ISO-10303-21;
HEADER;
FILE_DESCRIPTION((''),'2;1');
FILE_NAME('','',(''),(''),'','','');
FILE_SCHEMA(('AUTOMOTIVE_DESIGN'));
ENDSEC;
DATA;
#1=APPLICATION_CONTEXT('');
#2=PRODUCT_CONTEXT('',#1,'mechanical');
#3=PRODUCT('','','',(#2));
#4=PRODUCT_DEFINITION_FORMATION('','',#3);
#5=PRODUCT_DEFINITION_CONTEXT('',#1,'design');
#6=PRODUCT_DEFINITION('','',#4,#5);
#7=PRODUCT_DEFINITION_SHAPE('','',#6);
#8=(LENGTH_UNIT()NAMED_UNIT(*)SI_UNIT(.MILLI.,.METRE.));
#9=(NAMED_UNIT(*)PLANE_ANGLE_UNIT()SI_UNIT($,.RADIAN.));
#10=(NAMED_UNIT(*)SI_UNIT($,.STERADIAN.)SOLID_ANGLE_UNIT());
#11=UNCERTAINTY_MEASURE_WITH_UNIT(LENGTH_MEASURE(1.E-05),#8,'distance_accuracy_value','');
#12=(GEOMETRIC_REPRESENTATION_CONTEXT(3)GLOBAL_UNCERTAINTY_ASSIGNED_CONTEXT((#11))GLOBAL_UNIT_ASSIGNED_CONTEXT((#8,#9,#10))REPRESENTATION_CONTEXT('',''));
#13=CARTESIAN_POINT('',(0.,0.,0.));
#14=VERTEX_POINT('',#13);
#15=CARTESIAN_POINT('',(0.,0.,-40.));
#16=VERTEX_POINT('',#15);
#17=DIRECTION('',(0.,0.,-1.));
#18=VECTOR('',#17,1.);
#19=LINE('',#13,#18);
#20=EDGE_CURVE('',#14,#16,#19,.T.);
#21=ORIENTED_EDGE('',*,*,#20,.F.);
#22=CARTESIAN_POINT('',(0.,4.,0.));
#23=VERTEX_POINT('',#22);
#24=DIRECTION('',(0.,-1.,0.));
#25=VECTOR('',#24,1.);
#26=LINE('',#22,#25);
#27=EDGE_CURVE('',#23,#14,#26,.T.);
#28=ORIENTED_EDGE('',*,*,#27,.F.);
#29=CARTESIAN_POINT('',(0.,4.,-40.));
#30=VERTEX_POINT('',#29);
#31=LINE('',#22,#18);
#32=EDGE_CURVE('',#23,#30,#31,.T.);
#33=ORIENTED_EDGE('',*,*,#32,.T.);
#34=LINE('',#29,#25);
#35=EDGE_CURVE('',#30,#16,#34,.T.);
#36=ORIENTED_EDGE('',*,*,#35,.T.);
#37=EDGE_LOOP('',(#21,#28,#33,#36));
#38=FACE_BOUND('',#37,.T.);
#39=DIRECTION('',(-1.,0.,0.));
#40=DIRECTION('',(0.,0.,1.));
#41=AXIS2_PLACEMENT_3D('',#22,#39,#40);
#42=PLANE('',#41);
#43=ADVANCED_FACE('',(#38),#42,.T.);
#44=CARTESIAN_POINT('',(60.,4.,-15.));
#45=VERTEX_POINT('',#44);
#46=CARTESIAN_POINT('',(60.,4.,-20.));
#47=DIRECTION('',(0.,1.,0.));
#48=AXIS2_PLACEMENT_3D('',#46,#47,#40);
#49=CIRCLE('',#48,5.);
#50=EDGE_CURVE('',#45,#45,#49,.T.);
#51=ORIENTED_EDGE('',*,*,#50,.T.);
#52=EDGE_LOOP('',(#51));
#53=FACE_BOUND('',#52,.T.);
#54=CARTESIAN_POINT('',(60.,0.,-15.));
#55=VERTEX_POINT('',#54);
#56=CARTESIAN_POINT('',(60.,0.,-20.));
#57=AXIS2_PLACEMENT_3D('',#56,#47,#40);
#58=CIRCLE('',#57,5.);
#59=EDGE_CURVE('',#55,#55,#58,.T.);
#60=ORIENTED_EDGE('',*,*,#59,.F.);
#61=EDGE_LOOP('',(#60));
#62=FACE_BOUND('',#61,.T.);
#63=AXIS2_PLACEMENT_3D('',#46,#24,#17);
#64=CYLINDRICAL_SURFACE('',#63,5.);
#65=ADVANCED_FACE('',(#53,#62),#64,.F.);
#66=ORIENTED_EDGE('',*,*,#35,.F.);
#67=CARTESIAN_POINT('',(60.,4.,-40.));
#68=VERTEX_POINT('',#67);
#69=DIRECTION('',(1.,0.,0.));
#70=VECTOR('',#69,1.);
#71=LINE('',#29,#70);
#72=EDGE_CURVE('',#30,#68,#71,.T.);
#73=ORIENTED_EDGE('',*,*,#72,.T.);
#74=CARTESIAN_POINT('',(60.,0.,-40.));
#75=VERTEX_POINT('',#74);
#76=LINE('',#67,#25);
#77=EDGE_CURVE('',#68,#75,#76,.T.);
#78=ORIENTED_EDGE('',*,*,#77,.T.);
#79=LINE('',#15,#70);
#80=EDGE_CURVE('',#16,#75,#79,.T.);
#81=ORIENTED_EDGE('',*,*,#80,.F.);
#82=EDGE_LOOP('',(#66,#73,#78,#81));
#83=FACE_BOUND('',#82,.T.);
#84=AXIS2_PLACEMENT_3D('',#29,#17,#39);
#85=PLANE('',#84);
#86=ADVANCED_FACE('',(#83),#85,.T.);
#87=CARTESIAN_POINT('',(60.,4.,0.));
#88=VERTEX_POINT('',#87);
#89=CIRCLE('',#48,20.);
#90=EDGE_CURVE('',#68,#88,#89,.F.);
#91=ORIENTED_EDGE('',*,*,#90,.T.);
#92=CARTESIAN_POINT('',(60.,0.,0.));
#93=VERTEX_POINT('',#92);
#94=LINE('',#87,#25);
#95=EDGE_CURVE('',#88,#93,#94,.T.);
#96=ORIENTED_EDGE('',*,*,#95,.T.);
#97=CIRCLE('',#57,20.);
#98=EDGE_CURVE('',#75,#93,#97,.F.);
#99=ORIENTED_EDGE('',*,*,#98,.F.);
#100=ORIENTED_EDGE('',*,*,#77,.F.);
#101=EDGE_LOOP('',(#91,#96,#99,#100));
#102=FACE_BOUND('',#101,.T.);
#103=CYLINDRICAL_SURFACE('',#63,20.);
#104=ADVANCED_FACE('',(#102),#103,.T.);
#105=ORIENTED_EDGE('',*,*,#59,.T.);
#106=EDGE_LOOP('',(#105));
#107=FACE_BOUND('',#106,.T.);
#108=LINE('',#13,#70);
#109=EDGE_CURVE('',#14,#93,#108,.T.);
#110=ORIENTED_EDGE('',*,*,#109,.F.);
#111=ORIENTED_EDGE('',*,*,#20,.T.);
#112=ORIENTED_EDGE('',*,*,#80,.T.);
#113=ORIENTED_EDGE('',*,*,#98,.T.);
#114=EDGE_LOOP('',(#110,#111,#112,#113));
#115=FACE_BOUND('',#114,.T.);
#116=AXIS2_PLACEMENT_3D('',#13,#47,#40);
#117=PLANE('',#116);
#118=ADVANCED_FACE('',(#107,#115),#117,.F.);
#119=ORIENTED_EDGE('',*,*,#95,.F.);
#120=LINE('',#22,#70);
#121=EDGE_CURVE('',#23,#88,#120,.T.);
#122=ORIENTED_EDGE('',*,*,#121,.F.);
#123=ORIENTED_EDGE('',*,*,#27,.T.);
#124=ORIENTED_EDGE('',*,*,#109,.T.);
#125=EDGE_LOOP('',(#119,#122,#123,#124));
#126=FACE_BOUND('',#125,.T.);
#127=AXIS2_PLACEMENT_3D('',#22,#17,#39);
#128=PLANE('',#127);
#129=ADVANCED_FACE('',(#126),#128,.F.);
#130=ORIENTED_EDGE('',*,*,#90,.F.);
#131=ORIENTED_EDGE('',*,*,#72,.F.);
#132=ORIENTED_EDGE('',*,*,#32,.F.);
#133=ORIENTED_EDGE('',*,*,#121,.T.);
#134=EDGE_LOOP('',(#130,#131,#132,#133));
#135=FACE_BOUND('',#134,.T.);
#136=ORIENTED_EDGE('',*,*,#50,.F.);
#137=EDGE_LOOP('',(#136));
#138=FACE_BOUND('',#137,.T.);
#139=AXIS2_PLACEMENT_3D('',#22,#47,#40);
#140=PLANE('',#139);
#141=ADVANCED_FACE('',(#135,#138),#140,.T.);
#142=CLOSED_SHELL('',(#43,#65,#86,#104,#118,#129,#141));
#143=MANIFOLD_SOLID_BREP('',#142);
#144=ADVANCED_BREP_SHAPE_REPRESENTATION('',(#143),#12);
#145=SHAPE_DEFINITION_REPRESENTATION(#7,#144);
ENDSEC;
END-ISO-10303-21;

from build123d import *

# Parameters (mm, degrees)
SKETCH1_R           = 5
SKETCH1_W           = 40
SKETCH1_H           = 40
BOSS_EXTRUDE1_DEPTH = 4


with BuildPart() as part:
    # Sketch1 → Boss-Extrude1 (new body)
    # profile 1 of 2: a face of its own
    with BuildSketch(Plane(origin=(0, 0, 0), x_dir=(1, 0, 0), z_dir=(0, 1, 0))):
        with BuildLine():
            ThreePointArc((60, 40), (80, 20), (60, 0))
            Line((60, 0), (40, 0))
            Line((40, 0), (40, 40))
            Line((40, 40), (60, 40))
        make_face()
        with Locations(Location((60, 20, 0), (0, 0, 270))):
            Circle(SKETCH1_R, mode=Mode.SUBTRACT)
    # profile 2 of 2: a face of its own
    with BuildSketch(Plane(origin=(0, 0, 0), x_dir=(1, 0, 0), z_dir=(0, 1, 0))):
        with Locations((20, 20)):
            Rectangle(SKETCH1_W, SKETCH1_H)
    extrude(amount=BOSS_EXTRUDE1_DEPTH)


solid = part.part
